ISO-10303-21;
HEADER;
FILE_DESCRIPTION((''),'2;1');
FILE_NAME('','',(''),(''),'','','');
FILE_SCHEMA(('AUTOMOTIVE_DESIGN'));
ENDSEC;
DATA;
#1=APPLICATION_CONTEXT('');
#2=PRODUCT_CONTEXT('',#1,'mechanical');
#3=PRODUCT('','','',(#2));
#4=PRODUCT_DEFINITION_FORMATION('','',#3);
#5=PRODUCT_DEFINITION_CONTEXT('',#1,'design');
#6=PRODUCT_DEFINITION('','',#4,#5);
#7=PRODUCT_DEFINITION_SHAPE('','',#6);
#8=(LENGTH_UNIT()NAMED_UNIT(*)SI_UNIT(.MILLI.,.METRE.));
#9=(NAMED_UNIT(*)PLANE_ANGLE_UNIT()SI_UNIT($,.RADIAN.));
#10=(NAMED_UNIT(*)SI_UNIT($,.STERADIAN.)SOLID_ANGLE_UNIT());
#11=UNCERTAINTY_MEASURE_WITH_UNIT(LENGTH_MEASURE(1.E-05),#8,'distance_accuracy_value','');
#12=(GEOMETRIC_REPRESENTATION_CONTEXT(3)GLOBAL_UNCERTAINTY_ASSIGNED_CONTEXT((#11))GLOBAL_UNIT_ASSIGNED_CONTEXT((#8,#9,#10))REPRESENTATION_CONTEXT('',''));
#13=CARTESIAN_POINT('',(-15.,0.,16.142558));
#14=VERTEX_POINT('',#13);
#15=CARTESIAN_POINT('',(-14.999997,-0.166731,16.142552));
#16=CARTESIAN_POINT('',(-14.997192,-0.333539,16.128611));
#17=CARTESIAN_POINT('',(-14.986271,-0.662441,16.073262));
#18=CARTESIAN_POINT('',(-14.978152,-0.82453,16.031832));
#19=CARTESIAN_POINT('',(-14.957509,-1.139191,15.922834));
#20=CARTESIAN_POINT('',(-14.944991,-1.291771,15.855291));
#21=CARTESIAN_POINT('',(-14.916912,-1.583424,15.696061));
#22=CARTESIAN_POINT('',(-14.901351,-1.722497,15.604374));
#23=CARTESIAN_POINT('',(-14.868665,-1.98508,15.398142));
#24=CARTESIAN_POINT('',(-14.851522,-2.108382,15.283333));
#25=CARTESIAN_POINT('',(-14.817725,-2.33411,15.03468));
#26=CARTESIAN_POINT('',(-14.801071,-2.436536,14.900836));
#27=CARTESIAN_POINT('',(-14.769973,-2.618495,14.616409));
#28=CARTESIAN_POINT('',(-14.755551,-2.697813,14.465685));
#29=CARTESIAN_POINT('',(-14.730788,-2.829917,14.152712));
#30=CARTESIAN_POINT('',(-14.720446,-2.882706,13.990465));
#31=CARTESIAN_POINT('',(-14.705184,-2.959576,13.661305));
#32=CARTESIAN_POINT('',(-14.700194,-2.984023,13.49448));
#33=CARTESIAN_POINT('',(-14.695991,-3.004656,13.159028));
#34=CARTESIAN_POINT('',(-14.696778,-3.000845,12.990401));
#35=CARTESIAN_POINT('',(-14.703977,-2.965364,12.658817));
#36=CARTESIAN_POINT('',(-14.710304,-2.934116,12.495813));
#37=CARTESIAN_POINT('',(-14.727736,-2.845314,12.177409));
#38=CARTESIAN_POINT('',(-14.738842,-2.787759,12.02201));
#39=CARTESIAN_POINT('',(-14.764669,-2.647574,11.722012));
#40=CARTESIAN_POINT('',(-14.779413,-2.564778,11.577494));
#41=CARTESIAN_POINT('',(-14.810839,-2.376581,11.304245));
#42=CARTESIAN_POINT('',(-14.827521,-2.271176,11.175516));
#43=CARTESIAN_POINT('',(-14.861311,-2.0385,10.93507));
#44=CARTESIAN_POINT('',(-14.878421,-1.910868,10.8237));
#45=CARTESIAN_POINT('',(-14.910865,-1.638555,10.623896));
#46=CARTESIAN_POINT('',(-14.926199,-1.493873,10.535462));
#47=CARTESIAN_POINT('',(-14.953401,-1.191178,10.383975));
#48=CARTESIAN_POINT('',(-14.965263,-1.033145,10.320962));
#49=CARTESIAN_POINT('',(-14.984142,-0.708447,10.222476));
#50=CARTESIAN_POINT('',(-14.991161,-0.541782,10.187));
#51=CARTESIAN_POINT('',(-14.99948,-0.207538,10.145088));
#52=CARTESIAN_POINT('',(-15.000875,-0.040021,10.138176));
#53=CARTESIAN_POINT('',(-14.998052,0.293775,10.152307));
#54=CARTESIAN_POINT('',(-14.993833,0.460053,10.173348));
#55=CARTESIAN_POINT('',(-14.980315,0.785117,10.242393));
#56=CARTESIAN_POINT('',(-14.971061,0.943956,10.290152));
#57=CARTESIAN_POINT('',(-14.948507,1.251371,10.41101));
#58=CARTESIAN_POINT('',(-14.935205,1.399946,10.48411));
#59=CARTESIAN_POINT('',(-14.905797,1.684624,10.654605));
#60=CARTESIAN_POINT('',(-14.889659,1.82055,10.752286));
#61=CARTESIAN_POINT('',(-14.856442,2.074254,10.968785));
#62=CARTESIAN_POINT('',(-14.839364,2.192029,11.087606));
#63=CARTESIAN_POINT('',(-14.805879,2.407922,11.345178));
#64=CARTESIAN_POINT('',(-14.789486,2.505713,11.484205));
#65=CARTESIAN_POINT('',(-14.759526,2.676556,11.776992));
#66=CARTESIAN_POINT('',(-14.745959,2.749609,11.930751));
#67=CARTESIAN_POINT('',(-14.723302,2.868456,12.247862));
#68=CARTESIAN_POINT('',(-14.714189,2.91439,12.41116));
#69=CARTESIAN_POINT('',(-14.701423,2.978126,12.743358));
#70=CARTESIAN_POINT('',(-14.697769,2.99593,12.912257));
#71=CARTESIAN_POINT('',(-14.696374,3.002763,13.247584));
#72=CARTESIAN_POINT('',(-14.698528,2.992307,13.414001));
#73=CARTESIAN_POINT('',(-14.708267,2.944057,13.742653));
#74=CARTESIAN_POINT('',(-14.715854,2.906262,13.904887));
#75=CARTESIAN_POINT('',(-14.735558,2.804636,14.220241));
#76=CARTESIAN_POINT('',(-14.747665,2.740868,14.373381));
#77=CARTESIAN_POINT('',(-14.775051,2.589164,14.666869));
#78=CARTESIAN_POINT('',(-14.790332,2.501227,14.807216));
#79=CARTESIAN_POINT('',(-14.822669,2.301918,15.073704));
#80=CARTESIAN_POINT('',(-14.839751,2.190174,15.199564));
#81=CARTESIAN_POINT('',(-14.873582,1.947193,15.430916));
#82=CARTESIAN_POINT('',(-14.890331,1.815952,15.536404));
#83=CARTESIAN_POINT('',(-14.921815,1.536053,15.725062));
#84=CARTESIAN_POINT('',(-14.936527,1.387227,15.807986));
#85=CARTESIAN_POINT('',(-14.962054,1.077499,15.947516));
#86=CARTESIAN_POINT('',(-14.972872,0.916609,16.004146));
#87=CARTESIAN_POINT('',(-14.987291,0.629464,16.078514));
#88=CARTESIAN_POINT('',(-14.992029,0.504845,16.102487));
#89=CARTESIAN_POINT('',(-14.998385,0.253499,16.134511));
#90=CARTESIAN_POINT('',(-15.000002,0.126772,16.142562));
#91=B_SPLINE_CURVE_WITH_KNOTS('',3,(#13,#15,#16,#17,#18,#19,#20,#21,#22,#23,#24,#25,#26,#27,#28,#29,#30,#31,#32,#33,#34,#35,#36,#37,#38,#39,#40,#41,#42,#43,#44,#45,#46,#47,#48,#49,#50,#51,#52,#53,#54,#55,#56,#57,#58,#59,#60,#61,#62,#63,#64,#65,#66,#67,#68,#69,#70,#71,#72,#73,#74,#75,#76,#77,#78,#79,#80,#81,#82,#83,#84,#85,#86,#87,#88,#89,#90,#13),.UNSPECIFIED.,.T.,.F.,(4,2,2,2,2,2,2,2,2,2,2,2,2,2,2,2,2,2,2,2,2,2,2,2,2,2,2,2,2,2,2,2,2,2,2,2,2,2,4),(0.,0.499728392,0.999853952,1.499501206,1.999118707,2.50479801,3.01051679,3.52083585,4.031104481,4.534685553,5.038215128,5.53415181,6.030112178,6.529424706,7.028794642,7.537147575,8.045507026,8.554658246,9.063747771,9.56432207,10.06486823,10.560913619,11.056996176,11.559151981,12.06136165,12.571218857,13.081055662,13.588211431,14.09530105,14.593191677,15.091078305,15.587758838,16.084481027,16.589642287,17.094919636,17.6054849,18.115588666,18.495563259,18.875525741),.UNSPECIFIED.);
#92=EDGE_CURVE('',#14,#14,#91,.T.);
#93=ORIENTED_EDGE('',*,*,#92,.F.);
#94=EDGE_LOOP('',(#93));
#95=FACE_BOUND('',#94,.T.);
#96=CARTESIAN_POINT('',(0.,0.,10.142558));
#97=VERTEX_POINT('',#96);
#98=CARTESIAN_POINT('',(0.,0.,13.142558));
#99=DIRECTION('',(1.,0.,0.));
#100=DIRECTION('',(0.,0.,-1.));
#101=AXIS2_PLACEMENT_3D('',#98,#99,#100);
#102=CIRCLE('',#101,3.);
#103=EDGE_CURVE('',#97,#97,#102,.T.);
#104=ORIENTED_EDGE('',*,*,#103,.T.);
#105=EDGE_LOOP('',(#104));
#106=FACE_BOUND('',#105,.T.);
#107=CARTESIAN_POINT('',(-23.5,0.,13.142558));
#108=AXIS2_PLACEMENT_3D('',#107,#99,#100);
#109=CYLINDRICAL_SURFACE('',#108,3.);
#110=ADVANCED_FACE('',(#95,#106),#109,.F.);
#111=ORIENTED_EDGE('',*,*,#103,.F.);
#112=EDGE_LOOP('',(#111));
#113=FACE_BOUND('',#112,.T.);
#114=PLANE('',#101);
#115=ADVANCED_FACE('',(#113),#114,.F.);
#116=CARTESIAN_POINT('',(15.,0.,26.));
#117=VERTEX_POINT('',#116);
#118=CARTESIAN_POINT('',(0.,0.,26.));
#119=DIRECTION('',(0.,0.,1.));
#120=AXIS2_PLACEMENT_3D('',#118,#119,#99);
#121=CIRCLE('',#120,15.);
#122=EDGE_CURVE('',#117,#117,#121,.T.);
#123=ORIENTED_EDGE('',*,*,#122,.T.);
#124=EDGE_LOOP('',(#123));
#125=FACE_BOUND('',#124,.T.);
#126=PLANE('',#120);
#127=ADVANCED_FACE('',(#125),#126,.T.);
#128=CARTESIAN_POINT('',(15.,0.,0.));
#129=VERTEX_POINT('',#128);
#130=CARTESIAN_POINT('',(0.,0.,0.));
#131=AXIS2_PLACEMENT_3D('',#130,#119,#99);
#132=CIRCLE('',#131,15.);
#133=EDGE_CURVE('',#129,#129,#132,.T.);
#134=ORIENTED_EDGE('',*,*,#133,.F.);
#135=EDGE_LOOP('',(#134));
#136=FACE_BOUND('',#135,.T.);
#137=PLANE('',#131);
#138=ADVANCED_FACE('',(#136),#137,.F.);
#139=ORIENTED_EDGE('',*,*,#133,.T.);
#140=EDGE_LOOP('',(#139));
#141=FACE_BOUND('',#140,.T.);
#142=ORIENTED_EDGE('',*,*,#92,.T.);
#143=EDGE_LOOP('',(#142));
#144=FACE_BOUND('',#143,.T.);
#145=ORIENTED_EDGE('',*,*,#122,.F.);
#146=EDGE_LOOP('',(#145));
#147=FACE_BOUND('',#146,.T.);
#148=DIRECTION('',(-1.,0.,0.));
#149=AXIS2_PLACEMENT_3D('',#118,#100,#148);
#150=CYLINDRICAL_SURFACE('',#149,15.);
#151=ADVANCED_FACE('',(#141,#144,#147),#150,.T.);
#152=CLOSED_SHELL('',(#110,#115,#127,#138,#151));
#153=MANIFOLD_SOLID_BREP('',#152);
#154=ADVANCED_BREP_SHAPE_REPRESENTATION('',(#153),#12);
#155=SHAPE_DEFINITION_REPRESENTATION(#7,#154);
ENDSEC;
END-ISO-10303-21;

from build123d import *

# Parameters (mm, degrees)
SKETCH1_R           = 15
BOSS_EXTRUDE1_DEPTH = 26
SKETCH5_R           = 3
CUT_EXTRUDE1_DEPTH  = 23.5


with BuildPart() as part:
    # Sketch1 → Boss-Extrude1 (new body)
    with BuildSketch(Plane.XY):
        with Locations(Location((0, 0, 0), (0, 0, 180))):
            Circle(SKETCH1_R)
    extrude(amount=BOSS_EXTRUDE1_DEPTH)

    # Sketch5 → Cut-Extrude1 (cut)
    with BuildSketch(Plane(origin=(0, 0, 0), x_dir=(0, 0, -1), z_dir=(1, 0, 0))):
        with Locations((-13.142557715, 0)):
            Circle(SKETCH5_R)
    extrude(amount=-CUT_EXTRUDE1_DEPTH, mode=Mode.SUBTRACT)


solid = part.part
